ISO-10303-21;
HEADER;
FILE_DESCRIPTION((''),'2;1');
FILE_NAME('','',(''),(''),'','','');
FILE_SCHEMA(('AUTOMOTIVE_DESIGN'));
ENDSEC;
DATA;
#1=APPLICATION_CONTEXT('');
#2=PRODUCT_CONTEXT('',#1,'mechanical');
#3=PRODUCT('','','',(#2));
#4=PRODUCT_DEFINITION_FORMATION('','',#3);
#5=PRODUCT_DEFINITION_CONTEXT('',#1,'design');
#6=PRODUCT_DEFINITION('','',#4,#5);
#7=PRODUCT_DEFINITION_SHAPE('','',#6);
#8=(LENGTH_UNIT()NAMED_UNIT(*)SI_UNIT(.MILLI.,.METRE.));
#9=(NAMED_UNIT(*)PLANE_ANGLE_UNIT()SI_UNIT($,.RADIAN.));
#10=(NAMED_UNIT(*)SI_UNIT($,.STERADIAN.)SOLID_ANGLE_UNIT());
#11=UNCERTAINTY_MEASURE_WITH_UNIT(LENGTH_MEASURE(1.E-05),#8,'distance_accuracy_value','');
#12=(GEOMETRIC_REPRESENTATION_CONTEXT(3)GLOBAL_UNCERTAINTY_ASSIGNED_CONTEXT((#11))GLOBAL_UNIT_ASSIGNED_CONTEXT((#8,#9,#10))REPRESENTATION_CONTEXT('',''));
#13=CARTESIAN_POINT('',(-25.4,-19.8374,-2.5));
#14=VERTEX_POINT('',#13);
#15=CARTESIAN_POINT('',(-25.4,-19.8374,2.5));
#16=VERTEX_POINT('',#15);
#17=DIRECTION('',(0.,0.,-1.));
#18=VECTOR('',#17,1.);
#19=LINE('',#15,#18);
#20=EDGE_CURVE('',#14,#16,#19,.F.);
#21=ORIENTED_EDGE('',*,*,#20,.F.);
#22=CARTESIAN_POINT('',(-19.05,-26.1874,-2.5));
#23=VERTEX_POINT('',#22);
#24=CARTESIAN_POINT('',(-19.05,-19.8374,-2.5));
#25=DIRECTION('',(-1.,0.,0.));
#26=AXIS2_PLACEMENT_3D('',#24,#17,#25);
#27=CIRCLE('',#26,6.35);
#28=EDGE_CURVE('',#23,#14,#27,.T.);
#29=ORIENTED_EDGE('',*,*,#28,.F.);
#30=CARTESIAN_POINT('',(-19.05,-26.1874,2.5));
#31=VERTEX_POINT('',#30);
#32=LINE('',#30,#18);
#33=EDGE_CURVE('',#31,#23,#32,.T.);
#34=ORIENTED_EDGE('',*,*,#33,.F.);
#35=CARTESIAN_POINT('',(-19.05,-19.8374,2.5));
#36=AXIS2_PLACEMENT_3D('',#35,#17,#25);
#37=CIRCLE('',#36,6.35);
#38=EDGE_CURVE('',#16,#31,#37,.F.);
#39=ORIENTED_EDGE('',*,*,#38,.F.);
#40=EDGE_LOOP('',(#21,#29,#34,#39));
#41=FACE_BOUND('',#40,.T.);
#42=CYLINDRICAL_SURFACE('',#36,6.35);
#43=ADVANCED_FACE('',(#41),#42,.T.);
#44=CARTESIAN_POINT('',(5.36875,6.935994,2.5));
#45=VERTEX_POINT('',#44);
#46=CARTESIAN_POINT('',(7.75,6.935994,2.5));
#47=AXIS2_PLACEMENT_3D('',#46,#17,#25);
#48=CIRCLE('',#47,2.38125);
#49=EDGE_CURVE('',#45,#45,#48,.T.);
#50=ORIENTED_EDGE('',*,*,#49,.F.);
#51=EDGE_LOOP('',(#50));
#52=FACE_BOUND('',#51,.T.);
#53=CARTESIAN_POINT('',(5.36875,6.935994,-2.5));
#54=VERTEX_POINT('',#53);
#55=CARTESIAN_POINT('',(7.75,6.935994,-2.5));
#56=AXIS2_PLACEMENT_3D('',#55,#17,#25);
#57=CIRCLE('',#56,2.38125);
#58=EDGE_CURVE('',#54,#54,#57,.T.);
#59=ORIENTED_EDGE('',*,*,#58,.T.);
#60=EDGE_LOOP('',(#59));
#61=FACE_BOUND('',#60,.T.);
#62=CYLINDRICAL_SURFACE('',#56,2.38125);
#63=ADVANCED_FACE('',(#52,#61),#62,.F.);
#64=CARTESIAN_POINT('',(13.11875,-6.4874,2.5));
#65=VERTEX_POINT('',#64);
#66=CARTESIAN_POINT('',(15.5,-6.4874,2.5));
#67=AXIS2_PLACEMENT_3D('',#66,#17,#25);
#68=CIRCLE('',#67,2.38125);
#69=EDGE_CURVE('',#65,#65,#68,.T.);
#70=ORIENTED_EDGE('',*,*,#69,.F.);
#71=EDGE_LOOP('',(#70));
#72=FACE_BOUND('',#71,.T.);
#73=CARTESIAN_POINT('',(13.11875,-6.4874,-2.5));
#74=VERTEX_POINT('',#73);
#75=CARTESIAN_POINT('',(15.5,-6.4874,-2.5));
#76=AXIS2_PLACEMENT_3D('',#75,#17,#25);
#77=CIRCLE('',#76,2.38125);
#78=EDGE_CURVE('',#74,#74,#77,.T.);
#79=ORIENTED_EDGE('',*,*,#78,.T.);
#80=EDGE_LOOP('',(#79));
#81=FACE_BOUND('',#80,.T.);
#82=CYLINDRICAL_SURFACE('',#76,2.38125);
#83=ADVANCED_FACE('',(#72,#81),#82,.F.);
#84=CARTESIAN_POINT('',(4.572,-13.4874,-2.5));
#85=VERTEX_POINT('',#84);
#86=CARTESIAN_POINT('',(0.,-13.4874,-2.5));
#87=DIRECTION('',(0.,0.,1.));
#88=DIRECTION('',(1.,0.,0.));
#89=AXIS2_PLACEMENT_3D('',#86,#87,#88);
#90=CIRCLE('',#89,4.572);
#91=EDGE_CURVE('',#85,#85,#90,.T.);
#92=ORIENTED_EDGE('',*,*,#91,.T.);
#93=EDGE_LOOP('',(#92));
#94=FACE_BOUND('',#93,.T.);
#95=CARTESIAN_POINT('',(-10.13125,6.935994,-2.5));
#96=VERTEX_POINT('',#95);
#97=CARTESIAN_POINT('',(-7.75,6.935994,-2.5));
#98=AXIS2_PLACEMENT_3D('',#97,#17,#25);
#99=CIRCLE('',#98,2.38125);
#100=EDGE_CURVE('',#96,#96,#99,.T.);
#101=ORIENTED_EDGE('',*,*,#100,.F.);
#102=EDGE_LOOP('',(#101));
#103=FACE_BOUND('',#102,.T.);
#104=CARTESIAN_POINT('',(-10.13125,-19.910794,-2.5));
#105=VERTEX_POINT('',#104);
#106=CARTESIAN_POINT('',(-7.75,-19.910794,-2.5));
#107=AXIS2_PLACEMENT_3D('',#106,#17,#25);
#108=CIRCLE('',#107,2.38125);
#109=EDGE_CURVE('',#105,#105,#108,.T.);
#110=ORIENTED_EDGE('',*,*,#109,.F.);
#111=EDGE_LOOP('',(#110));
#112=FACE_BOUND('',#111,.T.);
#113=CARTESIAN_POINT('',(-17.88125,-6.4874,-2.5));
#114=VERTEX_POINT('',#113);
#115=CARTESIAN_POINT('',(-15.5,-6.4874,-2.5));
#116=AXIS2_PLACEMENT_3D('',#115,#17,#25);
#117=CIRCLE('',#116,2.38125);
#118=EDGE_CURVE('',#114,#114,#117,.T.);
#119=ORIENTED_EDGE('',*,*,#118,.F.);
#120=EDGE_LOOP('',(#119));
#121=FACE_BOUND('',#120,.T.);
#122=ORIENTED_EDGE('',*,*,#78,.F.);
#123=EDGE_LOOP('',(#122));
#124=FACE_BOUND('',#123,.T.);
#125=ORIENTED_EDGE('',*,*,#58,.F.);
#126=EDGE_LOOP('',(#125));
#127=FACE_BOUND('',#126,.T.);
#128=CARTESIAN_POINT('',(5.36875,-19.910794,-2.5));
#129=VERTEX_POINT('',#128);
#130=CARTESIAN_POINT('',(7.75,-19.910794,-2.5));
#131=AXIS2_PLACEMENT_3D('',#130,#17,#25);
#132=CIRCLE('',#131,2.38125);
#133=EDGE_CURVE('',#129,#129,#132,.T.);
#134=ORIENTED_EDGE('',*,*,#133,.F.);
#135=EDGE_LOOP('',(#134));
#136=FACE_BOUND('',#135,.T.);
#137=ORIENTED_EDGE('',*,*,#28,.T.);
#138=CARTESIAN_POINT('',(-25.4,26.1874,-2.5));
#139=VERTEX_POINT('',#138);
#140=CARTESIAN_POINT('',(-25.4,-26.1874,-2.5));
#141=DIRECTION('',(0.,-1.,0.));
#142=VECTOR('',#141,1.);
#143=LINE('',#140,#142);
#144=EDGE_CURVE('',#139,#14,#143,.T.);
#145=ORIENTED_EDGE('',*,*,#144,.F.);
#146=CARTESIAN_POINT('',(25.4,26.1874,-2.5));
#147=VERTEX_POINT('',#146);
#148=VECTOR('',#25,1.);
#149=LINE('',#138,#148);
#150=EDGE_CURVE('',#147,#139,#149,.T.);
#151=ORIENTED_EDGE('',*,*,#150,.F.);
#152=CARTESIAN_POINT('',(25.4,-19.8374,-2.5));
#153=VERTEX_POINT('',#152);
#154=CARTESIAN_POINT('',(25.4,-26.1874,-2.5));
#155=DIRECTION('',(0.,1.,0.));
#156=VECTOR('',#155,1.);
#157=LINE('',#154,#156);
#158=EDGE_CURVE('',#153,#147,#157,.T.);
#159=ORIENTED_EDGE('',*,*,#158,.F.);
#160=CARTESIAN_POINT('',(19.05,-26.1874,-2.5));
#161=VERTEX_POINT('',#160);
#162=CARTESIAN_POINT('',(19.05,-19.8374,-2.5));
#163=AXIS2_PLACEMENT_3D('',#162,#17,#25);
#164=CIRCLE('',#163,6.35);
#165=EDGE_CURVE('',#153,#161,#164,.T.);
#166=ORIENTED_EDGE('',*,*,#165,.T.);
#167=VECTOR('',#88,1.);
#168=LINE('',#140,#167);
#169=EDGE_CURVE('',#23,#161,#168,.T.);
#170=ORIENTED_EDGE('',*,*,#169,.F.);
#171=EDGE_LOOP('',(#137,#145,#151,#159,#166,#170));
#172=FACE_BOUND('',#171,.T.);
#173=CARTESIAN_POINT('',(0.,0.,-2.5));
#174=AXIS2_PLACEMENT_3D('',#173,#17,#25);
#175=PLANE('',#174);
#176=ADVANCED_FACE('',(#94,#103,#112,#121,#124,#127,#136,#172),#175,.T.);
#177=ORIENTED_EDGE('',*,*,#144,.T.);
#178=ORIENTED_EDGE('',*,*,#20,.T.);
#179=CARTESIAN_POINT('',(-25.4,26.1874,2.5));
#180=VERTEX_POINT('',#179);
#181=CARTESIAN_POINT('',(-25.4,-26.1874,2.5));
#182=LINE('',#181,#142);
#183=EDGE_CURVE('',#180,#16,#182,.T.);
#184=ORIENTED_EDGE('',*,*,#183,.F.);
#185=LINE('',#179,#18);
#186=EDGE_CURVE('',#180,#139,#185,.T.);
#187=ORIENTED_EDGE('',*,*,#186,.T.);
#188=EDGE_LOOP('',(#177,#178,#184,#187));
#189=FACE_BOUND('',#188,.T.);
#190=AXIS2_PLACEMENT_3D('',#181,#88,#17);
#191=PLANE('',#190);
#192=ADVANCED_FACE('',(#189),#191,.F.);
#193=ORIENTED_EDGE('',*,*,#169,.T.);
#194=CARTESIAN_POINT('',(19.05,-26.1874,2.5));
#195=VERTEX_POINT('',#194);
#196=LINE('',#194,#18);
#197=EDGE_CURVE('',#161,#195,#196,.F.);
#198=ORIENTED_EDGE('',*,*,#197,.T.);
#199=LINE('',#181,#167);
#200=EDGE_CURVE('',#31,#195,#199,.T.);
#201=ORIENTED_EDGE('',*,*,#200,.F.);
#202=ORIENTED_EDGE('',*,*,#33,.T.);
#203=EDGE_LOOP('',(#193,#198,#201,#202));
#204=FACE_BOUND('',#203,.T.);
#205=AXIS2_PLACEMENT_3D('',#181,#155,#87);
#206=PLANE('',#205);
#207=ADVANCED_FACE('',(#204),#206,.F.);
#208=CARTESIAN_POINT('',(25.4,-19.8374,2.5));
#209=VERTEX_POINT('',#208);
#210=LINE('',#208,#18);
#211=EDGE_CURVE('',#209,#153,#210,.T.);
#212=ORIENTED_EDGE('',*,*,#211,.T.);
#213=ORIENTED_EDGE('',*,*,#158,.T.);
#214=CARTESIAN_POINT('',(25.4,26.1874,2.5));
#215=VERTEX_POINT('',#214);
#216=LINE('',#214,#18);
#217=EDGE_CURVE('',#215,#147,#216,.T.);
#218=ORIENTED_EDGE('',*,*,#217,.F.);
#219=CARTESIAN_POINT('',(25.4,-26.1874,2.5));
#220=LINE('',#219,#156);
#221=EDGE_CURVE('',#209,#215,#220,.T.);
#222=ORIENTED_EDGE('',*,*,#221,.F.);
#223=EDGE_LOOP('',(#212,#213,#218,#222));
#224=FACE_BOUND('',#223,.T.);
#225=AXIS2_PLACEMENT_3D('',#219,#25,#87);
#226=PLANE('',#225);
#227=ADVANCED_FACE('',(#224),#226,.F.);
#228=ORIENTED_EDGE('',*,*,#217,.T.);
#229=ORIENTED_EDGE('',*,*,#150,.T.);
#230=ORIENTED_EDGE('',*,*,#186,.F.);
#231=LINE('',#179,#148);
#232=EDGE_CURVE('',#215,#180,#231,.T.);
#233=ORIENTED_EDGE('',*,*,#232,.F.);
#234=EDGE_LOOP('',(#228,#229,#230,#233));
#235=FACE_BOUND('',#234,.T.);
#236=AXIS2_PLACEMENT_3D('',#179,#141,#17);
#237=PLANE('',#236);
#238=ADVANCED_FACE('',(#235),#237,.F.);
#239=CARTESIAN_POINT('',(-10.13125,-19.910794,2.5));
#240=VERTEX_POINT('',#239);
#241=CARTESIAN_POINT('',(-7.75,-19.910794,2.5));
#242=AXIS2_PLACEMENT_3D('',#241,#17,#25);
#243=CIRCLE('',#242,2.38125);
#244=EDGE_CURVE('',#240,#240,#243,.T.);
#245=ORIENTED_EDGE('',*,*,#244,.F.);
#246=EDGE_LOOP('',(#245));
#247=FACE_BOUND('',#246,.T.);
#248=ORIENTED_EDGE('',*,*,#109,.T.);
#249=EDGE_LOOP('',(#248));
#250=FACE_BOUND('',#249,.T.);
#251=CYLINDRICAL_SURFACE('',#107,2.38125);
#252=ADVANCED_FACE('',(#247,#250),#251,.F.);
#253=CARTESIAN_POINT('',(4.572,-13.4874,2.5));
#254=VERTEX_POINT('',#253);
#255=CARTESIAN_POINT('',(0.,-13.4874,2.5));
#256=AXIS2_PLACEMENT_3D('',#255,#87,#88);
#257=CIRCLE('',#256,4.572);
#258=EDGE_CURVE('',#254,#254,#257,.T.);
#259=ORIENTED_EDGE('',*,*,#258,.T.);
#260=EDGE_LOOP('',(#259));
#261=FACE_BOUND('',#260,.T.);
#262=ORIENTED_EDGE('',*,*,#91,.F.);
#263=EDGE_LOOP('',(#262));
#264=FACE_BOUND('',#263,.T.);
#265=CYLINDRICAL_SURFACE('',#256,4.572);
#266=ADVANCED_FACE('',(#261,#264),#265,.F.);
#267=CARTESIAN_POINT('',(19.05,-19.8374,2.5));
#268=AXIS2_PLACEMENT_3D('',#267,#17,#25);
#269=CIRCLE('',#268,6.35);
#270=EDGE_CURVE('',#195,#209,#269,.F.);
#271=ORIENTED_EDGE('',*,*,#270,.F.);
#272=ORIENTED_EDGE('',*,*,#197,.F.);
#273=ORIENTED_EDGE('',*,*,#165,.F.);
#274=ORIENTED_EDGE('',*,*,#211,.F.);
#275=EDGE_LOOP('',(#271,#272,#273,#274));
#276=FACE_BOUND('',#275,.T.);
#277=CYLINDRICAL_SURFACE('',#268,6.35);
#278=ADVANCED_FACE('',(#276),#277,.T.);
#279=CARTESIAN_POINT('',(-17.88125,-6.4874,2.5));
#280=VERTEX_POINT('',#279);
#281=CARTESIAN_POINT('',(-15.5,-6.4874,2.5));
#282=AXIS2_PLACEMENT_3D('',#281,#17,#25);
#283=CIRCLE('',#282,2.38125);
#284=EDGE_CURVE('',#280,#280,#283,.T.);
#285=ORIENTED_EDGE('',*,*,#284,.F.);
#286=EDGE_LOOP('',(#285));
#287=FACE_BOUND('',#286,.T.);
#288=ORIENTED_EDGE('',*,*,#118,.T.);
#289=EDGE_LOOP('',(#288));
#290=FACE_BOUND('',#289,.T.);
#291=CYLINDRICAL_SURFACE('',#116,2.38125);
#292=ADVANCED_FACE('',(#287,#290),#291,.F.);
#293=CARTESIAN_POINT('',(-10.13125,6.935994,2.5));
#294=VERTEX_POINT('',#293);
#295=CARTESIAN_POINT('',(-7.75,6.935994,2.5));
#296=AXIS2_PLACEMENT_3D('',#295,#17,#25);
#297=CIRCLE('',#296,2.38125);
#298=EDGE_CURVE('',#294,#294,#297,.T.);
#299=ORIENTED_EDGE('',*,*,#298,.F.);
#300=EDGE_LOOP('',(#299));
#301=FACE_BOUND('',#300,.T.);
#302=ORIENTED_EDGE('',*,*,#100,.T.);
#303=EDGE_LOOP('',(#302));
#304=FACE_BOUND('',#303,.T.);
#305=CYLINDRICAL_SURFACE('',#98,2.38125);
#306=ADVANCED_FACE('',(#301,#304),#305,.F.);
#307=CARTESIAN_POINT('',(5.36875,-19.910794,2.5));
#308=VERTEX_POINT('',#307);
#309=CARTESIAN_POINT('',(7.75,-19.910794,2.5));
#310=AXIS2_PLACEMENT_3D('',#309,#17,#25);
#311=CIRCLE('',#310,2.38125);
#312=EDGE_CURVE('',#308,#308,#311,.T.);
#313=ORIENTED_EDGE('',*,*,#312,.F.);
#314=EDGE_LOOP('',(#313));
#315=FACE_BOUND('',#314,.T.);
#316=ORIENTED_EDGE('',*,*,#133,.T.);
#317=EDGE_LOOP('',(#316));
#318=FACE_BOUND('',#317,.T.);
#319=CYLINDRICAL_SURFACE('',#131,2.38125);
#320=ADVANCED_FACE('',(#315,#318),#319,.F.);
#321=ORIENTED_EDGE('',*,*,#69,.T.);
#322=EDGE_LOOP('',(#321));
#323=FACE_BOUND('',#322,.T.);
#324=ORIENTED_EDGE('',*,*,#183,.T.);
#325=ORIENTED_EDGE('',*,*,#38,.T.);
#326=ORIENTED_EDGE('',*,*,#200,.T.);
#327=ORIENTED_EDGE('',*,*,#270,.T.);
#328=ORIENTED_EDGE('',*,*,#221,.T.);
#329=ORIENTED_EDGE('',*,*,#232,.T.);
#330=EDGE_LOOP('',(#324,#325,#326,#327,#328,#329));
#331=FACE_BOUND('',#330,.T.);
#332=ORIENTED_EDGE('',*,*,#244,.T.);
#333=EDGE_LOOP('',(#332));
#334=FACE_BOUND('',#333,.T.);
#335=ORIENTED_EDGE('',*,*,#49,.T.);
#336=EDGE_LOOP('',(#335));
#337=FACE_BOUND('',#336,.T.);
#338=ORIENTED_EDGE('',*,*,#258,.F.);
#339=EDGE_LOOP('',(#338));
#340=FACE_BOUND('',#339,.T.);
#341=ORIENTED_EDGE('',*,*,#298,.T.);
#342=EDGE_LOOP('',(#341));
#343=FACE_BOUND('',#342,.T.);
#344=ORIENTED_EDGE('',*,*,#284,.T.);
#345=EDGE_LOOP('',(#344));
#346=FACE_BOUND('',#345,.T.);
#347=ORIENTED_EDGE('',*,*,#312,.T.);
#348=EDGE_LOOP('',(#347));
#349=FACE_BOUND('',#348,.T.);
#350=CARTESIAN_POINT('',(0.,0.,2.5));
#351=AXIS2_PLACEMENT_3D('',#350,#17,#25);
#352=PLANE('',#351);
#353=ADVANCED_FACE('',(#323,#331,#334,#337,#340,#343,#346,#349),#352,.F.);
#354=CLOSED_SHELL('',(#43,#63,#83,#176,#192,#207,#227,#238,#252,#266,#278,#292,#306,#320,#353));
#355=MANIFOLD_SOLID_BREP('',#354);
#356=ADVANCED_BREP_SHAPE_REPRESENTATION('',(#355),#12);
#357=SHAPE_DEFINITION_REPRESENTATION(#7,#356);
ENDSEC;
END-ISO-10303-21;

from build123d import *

# Parameters (mm, degrees)
SKETCH1_W                      = 50.8
SKETCH1_H                      = 52.3748
BOSS_EXTRUDE1_DEPTH            = 2.5
F_1_2_0_5_DIAMETER_HOLE1_D     = 9.144
F_3_16_0_1875_DIAMETER_HOLE1_D = 4.7625
FILLET1_R                      = 6.35


with BuildPart() as part:
    # Sketch1 → Boss-Extrude1 (new, symmetric)
    with BuildSketch(Plane.XY):
        Rectangle(SKETCH1_W, SKETCH1_H)
    extrude(amount=BOSS_EXTRUDE1_DEPTH, both=True)

    # 1/2 (0.5) Diameter Hole1 (through all)
    with Locations(Plane.XY.offset(2.5)):
        with Locations((0, -13.4874)):
            Hole(F_1_2_0_5_DIAMETER_HOLE1_D / 2)

    # 3/16 (0.1875) Diameter Hole1 (through all)
    with Locations(Plane(origin=(0, 0, -2.5), x_dir=(-1, 0, 0), z_dir=(0, 0, -1))):
        with Locations((15.5, -6.4874), (7.75, 6.935993759), (-7.75, 6.935993759), (-15.5, -6.4874), (7.75, -19.910793759), (-7.75, -19.910793759)):
            Hole(F_3_16_0_1875_DIAMETER_HOLE1_D / 2)

    # Fillet1
    fillet1_edges = [part.edges().sort_by_distance(p)[0] for p in [
        (25.4, -26.1874, 0),
        (-25.4, -26.1874, 0),
    ]]
    fillet(fillet1_edges, radius=FILLET1_R)


solid = part.part
